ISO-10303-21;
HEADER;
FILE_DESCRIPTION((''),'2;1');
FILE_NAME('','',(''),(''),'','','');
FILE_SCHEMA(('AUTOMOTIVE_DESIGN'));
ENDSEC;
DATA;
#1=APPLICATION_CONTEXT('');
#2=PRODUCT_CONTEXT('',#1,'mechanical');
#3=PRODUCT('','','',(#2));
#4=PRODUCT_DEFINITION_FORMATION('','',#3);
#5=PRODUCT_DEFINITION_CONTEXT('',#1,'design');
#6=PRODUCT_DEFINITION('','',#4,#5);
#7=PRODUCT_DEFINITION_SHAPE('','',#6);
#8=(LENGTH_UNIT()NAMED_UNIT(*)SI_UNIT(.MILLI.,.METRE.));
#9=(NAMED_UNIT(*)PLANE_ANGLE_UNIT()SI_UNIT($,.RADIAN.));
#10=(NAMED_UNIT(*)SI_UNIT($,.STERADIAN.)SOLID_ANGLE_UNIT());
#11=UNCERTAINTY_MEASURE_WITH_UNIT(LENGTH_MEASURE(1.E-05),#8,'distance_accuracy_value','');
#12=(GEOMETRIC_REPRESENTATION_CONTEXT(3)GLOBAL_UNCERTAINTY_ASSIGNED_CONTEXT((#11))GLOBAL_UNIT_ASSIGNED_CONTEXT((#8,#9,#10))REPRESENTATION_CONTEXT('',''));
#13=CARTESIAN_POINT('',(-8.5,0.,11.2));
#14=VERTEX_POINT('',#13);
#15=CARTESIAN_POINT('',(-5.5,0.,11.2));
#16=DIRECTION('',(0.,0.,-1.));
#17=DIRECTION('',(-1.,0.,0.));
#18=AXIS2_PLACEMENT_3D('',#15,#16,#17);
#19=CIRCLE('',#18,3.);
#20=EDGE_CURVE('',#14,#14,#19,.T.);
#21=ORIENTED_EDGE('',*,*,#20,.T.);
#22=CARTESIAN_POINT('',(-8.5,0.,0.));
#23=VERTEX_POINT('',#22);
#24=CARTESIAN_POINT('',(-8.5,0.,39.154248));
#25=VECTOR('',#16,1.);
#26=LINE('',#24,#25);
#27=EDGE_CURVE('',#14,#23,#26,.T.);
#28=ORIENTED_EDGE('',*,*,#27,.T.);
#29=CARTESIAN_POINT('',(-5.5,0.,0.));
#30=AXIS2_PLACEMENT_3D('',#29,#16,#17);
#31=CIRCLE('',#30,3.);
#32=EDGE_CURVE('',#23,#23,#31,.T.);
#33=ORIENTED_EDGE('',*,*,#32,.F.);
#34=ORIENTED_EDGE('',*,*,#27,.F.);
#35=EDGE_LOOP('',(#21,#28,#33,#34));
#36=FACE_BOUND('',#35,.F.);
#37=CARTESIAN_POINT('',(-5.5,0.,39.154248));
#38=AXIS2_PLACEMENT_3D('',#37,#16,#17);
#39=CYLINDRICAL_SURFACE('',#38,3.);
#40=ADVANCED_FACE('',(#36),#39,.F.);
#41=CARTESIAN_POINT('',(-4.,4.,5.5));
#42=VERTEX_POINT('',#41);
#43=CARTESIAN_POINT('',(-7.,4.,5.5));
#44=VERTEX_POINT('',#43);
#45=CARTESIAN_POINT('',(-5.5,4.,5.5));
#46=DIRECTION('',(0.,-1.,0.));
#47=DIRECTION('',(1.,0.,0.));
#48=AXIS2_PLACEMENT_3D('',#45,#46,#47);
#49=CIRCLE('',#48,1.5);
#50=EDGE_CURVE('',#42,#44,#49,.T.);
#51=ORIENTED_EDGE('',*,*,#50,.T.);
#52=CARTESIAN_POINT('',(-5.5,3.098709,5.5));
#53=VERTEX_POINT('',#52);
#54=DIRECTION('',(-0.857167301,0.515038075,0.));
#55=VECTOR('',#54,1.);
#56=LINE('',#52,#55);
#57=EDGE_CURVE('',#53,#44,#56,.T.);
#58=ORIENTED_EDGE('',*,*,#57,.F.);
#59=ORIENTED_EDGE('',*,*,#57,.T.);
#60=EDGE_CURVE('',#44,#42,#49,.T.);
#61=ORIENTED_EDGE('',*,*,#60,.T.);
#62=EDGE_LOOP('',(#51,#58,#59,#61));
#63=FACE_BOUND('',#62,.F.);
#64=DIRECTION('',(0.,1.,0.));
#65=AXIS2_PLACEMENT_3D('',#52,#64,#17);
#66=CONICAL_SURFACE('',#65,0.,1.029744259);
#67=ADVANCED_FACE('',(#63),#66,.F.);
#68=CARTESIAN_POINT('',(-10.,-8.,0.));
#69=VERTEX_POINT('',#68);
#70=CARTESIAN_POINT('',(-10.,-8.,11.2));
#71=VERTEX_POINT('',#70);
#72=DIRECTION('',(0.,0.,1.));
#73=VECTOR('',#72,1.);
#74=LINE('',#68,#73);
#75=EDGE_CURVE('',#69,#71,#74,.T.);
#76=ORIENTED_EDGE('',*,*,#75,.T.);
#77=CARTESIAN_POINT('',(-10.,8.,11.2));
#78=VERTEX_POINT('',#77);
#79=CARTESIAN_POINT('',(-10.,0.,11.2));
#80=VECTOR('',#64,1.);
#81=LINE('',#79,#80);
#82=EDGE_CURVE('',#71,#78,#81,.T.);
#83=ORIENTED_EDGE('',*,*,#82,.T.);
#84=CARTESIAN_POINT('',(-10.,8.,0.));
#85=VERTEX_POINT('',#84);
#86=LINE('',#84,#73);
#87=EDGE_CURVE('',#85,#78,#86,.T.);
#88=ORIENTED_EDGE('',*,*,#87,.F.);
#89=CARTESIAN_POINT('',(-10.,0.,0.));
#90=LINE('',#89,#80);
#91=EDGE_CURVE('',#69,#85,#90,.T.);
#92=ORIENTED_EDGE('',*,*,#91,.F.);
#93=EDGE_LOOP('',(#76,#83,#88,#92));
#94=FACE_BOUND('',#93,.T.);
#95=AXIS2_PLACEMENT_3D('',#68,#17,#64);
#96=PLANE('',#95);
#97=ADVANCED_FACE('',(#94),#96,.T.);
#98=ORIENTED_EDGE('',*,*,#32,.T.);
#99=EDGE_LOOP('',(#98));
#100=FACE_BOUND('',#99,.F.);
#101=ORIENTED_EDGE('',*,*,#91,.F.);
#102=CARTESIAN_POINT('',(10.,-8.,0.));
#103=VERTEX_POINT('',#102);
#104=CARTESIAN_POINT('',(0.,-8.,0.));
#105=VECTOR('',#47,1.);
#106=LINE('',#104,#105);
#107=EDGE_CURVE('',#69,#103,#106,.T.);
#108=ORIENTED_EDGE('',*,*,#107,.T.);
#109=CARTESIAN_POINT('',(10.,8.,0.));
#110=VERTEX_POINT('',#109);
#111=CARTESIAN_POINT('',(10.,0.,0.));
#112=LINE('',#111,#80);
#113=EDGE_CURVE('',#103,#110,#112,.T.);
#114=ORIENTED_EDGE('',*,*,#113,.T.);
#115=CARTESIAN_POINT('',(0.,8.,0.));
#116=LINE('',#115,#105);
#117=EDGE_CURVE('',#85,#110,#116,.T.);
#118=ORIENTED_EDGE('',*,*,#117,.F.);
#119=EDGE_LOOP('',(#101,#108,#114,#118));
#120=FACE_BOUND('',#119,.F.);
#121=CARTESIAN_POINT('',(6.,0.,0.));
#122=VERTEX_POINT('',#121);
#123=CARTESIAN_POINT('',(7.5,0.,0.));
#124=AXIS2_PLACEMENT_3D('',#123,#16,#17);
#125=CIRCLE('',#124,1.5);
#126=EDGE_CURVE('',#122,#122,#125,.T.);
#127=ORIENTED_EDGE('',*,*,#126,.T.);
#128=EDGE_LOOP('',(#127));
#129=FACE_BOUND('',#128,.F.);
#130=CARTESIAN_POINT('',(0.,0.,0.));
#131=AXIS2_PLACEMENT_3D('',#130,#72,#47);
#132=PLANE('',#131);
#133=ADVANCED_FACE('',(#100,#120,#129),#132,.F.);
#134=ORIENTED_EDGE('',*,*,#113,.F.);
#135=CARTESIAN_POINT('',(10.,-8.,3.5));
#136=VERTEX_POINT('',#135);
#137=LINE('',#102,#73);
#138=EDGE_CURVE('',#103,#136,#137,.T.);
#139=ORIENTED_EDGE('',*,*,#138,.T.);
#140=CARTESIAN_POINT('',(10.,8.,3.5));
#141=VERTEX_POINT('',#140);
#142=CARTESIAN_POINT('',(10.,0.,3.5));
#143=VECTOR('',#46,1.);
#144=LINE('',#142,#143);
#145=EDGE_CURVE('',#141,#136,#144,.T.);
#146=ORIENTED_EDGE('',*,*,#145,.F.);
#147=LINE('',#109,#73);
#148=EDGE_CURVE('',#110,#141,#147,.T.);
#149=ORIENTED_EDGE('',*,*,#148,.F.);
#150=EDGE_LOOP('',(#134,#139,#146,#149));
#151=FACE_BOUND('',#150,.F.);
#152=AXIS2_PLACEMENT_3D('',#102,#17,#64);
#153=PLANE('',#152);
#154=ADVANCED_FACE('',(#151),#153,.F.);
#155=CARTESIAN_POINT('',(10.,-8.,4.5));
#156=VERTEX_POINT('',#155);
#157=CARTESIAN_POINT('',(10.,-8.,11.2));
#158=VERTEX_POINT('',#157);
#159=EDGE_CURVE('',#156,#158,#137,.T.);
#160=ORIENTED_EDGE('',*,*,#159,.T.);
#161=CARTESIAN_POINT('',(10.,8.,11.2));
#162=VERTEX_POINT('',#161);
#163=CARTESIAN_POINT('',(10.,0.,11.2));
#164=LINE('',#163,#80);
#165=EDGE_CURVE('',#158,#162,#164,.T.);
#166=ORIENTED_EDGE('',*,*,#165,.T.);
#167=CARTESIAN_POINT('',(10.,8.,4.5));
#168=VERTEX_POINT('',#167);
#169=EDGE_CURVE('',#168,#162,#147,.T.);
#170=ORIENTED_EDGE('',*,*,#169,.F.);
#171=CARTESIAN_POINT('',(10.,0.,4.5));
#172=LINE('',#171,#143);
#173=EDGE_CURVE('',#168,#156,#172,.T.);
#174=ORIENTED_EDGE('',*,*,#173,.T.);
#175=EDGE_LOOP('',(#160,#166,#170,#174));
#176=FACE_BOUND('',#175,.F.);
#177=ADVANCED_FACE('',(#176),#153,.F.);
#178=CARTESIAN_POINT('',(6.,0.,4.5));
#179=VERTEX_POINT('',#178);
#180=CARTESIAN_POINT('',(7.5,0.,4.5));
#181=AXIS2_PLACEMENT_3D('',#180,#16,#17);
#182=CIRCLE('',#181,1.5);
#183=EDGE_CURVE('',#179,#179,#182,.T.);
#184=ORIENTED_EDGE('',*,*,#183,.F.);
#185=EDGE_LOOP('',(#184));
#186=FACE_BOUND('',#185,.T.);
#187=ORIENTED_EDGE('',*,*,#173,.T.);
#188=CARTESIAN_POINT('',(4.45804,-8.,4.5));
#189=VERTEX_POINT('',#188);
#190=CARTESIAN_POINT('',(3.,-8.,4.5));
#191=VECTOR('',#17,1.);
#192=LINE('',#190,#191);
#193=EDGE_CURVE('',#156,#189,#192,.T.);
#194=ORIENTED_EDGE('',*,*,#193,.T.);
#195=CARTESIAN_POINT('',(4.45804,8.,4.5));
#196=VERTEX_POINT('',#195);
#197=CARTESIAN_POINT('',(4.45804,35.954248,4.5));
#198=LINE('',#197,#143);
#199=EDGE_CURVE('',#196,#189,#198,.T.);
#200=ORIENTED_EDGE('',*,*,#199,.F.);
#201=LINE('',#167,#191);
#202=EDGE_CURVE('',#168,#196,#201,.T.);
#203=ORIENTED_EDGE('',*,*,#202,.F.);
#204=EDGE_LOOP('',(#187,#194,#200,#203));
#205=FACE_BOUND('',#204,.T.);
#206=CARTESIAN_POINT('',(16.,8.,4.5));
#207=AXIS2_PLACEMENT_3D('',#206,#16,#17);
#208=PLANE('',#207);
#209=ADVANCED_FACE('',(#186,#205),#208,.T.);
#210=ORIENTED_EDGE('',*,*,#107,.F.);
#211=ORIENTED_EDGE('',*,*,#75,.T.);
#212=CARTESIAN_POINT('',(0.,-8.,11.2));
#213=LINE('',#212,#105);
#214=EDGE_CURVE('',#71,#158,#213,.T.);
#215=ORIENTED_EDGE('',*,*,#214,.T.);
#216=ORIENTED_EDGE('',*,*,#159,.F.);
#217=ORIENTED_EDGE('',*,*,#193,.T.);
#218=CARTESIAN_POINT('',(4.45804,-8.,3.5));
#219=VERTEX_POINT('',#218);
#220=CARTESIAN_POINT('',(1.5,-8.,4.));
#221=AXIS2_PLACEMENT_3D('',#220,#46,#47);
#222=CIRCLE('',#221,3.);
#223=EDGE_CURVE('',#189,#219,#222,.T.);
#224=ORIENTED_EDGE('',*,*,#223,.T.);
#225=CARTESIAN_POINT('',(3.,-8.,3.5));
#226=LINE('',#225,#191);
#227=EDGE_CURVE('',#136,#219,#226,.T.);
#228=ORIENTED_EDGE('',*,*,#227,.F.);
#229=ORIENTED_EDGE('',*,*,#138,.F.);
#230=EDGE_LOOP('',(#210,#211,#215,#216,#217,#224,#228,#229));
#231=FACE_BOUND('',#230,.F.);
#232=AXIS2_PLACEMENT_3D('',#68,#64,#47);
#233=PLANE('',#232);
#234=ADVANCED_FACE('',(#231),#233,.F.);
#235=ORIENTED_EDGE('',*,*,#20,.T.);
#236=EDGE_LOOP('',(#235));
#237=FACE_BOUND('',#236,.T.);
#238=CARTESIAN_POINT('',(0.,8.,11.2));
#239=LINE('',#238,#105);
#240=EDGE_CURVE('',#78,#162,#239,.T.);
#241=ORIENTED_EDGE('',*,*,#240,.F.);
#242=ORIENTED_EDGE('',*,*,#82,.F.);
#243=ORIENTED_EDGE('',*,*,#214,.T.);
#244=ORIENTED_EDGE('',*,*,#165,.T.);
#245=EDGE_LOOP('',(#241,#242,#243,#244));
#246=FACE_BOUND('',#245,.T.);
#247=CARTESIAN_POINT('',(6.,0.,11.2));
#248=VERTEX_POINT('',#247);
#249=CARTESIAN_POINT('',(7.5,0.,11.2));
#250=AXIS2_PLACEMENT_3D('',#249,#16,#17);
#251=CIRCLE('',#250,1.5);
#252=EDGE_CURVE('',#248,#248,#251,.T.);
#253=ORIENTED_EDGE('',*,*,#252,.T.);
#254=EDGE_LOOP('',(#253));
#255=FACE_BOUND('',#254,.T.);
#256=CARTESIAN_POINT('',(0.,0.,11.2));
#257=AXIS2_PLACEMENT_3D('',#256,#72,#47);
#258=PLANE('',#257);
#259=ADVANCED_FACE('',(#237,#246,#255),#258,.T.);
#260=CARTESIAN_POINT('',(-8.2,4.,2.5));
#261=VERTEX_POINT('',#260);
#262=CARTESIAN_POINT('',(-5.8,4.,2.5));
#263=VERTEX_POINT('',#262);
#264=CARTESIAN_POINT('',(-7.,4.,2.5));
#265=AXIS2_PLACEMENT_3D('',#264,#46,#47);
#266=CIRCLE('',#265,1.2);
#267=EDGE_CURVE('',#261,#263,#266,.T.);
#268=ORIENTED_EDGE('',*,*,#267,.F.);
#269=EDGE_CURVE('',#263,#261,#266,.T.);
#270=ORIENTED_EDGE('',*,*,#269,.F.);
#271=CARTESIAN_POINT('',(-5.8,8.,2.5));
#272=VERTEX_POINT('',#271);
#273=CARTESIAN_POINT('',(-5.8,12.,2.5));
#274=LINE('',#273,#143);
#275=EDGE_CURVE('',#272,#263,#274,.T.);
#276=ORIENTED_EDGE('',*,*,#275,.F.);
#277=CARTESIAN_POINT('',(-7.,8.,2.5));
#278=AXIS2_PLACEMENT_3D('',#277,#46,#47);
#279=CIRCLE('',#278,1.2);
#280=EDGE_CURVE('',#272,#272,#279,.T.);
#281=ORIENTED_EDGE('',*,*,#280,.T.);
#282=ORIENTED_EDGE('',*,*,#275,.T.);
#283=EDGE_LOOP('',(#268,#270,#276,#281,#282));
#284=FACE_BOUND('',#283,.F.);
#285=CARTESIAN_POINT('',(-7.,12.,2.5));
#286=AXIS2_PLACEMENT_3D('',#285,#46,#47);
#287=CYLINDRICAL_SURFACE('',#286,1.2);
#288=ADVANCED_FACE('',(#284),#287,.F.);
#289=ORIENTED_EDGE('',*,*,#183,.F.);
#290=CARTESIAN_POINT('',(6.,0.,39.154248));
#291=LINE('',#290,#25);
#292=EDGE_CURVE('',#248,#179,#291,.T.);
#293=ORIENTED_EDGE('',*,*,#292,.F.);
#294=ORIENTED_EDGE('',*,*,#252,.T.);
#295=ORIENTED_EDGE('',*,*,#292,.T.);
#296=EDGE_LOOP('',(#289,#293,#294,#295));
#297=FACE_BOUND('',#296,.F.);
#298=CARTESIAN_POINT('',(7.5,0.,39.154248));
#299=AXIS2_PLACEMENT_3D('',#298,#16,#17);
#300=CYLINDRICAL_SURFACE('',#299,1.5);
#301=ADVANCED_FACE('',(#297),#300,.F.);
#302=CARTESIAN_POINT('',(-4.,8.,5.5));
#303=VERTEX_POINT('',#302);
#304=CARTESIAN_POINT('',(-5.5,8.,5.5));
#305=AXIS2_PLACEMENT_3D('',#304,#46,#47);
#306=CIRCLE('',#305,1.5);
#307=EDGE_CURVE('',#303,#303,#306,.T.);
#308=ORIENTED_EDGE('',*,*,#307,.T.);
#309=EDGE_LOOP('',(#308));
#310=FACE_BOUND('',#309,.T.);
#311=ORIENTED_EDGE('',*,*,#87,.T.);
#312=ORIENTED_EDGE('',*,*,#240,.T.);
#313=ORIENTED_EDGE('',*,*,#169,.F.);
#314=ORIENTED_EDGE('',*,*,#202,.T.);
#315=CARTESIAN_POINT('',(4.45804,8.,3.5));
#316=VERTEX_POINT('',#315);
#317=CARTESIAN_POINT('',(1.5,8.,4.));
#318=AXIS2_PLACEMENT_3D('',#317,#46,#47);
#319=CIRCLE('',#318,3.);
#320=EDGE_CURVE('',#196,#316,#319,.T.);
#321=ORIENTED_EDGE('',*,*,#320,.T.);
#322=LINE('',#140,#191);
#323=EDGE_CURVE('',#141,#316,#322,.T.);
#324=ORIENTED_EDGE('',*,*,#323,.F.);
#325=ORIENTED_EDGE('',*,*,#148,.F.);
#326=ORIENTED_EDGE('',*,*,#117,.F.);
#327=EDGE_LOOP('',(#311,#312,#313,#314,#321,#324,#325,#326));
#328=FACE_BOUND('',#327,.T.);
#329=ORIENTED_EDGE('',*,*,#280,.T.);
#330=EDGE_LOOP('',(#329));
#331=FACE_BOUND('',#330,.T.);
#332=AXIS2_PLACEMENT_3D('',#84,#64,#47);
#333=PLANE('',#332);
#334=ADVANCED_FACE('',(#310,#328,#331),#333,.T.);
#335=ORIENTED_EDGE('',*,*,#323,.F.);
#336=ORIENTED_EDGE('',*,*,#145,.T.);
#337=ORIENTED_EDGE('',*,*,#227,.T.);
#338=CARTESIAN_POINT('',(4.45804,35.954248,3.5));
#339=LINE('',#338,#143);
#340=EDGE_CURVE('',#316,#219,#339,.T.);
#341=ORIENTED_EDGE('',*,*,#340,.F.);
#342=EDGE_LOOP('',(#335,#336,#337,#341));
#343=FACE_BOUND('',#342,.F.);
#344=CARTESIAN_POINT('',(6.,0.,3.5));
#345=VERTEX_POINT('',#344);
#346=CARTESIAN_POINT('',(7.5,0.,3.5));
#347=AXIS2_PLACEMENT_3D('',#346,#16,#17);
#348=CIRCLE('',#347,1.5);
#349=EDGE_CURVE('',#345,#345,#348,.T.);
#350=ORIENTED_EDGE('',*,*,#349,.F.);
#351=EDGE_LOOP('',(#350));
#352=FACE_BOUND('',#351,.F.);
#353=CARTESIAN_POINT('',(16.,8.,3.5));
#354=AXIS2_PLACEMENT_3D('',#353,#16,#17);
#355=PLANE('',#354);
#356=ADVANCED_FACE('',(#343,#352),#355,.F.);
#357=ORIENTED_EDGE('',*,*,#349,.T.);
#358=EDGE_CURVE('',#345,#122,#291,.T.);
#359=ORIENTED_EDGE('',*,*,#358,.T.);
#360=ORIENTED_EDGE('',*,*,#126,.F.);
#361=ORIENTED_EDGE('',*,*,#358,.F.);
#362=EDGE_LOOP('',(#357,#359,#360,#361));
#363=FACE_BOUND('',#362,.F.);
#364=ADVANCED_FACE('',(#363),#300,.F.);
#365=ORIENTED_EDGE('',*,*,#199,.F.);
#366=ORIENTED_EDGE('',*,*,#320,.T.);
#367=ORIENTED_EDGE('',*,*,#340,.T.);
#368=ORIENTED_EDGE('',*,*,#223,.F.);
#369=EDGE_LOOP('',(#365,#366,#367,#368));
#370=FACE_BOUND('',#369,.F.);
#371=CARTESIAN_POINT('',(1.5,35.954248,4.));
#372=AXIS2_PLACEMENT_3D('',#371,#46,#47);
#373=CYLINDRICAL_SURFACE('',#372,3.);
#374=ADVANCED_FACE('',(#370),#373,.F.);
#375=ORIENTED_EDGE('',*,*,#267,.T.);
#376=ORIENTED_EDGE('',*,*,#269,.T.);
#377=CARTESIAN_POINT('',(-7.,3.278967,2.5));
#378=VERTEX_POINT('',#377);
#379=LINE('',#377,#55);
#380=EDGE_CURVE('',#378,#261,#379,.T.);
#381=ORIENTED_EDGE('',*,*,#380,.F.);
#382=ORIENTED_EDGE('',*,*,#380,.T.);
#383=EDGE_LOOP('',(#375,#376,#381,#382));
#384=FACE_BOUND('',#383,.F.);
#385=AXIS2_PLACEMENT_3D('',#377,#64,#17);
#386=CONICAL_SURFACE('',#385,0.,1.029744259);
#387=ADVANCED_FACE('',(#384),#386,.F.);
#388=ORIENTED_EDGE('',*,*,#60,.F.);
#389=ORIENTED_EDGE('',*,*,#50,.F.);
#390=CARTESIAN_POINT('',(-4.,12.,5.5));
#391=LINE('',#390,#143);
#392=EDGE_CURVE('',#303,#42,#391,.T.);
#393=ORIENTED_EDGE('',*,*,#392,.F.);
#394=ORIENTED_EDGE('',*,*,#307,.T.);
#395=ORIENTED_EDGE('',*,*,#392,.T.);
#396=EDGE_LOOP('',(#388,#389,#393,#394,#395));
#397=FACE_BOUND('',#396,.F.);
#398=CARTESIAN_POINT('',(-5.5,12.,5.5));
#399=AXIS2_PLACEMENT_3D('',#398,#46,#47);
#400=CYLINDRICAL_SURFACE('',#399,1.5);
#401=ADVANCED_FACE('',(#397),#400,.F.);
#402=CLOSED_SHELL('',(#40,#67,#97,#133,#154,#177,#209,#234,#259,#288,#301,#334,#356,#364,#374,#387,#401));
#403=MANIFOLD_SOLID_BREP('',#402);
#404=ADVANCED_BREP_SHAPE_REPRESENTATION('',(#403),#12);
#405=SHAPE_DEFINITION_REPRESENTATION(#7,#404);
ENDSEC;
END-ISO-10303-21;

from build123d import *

# Parameters (mm, degrees)
F0_W      = 20
F0_H      = 16
F1_DEPTH  = 11.2
F3_D      = 6
F4_D      = 3
F6_D      = 6
F7_D      = 3
F7_DEPTH  = 4
F7_TIP    = 0.9012909285
F8_D      = 2.4
F8_DEPTH  = 4
F8_TIP    = 0.7210327428
F9_W      = 12
F9_H      = 1
F10_DEPTH = 25


with BuildPart() as f1:
    # F0 (on Top) → F1 (new body)
    with BuildSketch(Plane.XY):
        Rectangle(F0_W, F0_H)
    extrude(amount=F1_DEPTH)

    # F3 (through all)
    with Locations(Plane.XY.offset(11.2)):
        with Locations((-5.5, 0)):
            Hole(F3_D / 2)

    # F4 (through all)
    with Locations(Plane.XY.offset(11.2)):
        with Locations((7.5, 0)):
            Hole(F4_D / 2)

    # F6 (through all)
    with Locations(Plane(origin=(0, 8, 0), x_dir=(-1, 0, 0), z_dir=(0, 1, 0))):
        with Locations((-1.5, 4)):
            Hole(F6_D / 2)

    # F7
    with Locations(Plane(origin=(0, 8, 0), x_dir=(-1, 0, 0), z_dir=(0, 1, 0))):
        with Locations((5.5, 5.5)):
            Hole(F7_D / 2, depth=F7_DEPTH)
            with Locations((0, 0, -(F7_DEPTH + F7_TIP / 2))):  # 118° drill point
                Cone(0, F7_D / 2, F7_TIP, mode=Mode.SUBTRACT)

    # F8
    with Locations(Plane(origin=(0, 8, 0), x_dir=(-1, 0, 0), z_dir=(0, 1, 0))):
        with Locations((7, 2.5)):
            Hole(F8_D / 2, depth=F8_DEPTH)
            with Locations((0, 0, -(F8_DEPTH + F8_TIP / 2))):  # 118° drill point
                Cone(0, F8_D / 2, F8_TIP, mode=Mode.SUBTRACT)

    # F9 (on face) → F10 (cut)
    with BuildSketch(Plane(origin=(0, 8, 0), x_dir=(-1, 0, 0), z_dir=(0, 1, 0))):
        with Locations((-10, 4)):
            Rectangle(F9_W, F9_H)
    extrude(amount=-F10_DEPTH, mode=Mode.SUBTRACT)


solid = f1.part
